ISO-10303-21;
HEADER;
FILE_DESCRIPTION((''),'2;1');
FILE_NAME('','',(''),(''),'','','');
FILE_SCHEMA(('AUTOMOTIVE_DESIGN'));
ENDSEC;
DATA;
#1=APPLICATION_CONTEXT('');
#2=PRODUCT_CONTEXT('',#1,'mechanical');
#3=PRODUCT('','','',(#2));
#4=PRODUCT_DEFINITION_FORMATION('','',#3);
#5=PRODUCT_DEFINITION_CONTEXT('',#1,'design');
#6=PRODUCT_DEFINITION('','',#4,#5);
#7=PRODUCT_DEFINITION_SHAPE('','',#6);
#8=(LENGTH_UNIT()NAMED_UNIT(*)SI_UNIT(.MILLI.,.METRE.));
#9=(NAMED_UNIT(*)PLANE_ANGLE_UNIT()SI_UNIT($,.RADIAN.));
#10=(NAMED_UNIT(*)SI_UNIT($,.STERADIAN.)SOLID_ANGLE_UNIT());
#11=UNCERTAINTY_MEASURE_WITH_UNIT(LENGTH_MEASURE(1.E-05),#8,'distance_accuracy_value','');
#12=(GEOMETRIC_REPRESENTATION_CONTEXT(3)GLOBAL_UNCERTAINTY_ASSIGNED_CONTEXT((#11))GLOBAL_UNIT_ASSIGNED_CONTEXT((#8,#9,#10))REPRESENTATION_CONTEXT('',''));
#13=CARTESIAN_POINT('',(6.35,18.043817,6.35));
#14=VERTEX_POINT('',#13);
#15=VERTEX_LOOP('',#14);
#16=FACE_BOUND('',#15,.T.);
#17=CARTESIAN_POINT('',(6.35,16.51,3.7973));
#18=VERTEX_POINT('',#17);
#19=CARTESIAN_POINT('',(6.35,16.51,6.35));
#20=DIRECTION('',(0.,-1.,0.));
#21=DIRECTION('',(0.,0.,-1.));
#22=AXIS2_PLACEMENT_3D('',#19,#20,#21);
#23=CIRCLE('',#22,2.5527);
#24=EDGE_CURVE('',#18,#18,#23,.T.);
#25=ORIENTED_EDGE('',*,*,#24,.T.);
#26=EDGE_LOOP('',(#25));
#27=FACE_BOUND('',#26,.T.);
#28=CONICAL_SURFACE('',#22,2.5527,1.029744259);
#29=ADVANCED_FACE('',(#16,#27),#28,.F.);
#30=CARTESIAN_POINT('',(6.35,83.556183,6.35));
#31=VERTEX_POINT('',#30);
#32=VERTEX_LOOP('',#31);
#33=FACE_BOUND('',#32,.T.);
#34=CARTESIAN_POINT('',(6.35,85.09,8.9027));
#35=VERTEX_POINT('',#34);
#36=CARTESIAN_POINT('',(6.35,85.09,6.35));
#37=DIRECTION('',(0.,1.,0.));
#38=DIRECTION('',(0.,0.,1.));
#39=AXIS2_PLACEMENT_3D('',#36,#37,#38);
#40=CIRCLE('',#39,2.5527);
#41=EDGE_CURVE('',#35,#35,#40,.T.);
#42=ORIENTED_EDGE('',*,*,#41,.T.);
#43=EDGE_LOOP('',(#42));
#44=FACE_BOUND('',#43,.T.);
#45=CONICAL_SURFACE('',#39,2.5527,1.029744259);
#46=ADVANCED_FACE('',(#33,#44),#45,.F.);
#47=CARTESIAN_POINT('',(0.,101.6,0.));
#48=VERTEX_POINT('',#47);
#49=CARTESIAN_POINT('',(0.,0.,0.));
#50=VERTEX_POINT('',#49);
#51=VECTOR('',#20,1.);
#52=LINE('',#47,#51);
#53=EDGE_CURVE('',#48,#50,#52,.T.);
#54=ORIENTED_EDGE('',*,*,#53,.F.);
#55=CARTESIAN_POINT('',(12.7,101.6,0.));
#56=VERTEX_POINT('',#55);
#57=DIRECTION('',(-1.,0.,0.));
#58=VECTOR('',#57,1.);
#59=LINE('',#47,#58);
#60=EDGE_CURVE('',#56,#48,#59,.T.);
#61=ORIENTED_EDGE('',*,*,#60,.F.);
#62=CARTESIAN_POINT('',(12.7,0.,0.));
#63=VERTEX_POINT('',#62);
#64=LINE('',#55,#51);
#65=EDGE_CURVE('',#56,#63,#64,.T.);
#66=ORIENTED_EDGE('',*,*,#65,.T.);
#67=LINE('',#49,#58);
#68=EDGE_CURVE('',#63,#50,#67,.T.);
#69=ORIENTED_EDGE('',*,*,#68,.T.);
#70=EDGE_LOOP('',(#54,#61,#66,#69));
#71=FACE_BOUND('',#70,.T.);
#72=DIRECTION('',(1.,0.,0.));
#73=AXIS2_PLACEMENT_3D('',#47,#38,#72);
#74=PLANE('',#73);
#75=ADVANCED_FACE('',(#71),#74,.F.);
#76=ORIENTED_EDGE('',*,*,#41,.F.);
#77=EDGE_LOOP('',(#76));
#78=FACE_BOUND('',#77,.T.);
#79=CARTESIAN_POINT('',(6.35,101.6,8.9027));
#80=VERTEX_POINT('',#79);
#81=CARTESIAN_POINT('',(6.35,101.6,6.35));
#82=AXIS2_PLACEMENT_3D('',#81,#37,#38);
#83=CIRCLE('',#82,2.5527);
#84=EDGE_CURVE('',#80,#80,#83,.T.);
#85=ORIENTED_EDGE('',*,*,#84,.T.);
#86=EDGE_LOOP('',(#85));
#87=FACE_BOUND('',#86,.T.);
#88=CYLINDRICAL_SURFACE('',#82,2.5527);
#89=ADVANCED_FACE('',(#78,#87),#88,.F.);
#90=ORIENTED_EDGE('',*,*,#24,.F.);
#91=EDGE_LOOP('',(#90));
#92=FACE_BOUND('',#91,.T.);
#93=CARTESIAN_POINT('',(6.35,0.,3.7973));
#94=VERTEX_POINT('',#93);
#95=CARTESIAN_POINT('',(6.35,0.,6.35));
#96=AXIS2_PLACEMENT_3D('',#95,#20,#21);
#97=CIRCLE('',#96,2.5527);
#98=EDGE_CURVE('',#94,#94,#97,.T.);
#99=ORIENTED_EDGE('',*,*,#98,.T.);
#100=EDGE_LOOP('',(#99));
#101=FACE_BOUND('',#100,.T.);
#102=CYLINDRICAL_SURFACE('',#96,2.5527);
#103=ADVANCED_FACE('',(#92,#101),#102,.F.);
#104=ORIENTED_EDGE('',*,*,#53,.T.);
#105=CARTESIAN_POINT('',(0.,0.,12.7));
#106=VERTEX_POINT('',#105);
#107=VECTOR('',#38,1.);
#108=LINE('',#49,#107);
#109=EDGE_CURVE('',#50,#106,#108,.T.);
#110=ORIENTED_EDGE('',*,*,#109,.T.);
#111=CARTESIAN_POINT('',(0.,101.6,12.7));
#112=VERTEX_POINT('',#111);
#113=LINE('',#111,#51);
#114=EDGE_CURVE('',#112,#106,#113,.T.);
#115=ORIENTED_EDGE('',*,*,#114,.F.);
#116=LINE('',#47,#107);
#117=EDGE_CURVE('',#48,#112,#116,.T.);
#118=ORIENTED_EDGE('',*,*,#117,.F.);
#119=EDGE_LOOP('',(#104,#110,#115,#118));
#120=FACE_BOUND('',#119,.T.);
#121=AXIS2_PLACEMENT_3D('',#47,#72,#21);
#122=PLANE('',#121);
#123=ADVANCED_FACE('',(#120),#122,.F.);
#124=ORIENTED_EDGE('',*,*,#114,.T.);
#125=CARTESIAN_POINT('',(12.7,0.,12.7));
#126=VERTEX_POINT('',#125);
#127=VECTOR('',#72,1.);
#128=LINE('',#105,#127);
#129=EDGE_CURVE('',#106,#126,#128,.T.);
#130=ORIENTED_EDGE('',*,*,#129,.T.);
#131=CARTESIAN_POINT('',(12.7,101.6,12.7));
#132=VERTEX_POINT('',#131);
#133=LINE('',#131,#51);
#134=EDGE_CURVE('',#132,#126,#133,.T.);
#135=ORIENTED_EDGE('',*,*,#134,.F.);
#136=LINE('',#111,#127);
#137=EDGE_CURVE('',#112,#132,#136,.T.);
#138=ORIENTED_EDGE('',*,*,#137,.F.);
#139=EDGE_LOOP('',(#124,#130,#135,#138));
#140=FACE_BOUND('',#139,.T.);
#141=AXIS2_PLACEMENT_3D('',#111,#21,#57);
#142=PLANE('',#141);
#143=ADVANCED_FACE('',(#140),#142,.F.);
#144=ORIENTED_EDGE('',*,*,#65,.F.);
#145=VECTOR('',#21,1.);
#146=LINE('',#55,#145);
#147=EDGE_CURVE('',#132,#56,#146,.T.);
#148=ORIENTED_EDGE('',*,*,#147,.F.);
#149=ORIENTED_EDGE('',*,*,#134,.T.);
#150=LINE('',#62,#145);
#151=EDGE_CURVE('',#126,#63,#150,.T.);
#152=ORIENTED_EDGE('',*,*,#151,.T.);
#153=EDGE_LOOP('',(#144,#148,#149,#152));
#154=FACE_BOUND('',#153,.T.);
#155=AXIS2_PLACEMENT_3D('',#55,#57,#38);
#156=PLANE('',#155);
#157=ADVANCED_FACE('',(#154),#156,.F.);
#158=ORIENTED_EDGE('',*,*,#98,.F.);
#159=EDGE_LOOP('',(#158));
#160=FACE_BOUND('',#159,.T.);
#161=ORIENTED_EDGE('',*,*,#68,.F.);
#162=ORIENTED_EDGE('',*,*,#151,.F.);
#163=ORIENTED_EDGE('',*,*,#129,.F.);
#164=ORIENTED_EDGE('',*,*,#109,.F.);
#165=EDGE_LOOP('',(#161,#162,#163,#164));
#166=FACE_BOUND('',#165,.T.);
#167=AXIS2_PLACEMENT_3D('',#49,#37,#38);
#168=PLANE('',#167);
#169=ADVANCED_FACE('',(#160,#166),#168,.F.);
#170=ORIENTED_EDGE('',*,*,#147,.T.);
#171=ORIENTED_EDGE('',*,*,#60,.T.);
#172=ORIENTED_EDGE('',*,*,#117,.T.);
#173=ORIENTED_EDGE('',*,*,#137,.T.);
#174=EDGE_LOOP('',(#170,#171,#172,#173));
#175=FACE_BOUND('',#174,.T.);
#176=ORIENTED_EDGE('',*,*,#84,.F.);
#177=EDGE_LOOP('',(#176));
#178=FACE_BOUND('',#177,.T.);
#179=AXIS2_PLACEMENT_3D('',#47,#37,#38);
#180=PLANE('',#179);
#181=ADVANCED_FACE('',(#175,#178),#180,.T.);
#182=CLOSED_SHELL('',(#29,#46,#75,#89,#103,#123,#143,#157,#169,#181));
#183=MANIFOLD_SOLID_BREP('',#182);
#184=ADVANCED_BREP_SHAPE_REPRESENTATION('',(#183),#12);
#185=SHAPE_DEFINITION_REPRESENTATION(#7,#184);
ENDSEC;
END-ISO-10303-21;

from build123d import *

# Parameters (mm, degrees)
SKETCH1_W                             = 12.7
SKETCH1_H                             = 12.7
BOSS_EXTRUDE1_DEPTH                   = 101.6
F_1_4_20_TAPPED_HOLE1_D               = 5.1054
F_1_4_20_TAPPED_HOLE1_DEPTH           = 16.51
F_1_4_20_TAPPED_HOLE1_TIP             = 1.533816902
F_1_4_20_TAPPED_HOLE1_ON_FACE_2_D     = 5.1054
F_1_4_20_TAPPED_HOLE1_ON_FACE_2_DEPTH = 16.51
F_1_4_20_TAPPED_HOLE1_ON_FACE_2_TIP   = 1.533816902


with BuildPart() as part:
    # Sketch1 → Boss-Extrude1 (new body)
    with BuildSketch(Plane(origin=(0, 0, 0), x_dir=(1, 0, 0), z_dir=(0, 1, 0))):
        with Locations((6.35, -6.35)):
            Rectangle(SKETCH1_W, SKETCH1_H)
    extrude(amount=BOSS_EXTRUDE1_DEPTH)

    # 1/4-20 Tapped Hole1
    with Locations(Plane(origin=(6.35, 0, 6.35), x_dir=(0, 0, -1), z_dir=(0, -1, 0))):
        with Locations((0, 0)):
            Hole(F_1_4_20_TAPPED_HOLE1_D / 2, depth=F_1_4_20_TAPPED_HOLE1_DEPTH)
            with Locations((0, 0, -(F_1_4_20_TAPPED_HOLE1_DEPTH + F_1_4_20_TAPPED_HOLE1_TIP / 2))):  # 118° drill point
                Cone(0, F_1_4_20_TAPPED_HOLE1_D / 2, F_1_4_20_TAPPED_HOLE1_TIP, mode=Mode.SUBTRACT)

    # 1/4-20 Tapped Hole1 on face 2
    with Locations(Plane(origin=(6.35, 101.6, 6.35), x_dir=(0, 0, 1), z_dir=(0, 1, 0))):
        with Locations((0, 0)):
            Hole(F_1_4_20_TAPPED_HOLE1_ON_FACE_2_D / 2, depth=F_1_4_20_TAPPED_HOLE1_ON_FACE_2_DEPTH)
            with Locations((0, 0, -(F_1_4_20_TAPPED_HOLE1_ON_FACE_2_DEPTH + F_1_4_20_TAPPED_HOLE1_ON_FACE_2_TIP / 2))):  # 118° drill point
                Cone(0, F_1_4_20_TAPPED_HOLE1_ON_FACE_2_D / 2, F_1_4_20_TAPPED_HOLE1_ON_FACE_2_TIP, mode=Mode.SUBTRACT)


solid = part.part
